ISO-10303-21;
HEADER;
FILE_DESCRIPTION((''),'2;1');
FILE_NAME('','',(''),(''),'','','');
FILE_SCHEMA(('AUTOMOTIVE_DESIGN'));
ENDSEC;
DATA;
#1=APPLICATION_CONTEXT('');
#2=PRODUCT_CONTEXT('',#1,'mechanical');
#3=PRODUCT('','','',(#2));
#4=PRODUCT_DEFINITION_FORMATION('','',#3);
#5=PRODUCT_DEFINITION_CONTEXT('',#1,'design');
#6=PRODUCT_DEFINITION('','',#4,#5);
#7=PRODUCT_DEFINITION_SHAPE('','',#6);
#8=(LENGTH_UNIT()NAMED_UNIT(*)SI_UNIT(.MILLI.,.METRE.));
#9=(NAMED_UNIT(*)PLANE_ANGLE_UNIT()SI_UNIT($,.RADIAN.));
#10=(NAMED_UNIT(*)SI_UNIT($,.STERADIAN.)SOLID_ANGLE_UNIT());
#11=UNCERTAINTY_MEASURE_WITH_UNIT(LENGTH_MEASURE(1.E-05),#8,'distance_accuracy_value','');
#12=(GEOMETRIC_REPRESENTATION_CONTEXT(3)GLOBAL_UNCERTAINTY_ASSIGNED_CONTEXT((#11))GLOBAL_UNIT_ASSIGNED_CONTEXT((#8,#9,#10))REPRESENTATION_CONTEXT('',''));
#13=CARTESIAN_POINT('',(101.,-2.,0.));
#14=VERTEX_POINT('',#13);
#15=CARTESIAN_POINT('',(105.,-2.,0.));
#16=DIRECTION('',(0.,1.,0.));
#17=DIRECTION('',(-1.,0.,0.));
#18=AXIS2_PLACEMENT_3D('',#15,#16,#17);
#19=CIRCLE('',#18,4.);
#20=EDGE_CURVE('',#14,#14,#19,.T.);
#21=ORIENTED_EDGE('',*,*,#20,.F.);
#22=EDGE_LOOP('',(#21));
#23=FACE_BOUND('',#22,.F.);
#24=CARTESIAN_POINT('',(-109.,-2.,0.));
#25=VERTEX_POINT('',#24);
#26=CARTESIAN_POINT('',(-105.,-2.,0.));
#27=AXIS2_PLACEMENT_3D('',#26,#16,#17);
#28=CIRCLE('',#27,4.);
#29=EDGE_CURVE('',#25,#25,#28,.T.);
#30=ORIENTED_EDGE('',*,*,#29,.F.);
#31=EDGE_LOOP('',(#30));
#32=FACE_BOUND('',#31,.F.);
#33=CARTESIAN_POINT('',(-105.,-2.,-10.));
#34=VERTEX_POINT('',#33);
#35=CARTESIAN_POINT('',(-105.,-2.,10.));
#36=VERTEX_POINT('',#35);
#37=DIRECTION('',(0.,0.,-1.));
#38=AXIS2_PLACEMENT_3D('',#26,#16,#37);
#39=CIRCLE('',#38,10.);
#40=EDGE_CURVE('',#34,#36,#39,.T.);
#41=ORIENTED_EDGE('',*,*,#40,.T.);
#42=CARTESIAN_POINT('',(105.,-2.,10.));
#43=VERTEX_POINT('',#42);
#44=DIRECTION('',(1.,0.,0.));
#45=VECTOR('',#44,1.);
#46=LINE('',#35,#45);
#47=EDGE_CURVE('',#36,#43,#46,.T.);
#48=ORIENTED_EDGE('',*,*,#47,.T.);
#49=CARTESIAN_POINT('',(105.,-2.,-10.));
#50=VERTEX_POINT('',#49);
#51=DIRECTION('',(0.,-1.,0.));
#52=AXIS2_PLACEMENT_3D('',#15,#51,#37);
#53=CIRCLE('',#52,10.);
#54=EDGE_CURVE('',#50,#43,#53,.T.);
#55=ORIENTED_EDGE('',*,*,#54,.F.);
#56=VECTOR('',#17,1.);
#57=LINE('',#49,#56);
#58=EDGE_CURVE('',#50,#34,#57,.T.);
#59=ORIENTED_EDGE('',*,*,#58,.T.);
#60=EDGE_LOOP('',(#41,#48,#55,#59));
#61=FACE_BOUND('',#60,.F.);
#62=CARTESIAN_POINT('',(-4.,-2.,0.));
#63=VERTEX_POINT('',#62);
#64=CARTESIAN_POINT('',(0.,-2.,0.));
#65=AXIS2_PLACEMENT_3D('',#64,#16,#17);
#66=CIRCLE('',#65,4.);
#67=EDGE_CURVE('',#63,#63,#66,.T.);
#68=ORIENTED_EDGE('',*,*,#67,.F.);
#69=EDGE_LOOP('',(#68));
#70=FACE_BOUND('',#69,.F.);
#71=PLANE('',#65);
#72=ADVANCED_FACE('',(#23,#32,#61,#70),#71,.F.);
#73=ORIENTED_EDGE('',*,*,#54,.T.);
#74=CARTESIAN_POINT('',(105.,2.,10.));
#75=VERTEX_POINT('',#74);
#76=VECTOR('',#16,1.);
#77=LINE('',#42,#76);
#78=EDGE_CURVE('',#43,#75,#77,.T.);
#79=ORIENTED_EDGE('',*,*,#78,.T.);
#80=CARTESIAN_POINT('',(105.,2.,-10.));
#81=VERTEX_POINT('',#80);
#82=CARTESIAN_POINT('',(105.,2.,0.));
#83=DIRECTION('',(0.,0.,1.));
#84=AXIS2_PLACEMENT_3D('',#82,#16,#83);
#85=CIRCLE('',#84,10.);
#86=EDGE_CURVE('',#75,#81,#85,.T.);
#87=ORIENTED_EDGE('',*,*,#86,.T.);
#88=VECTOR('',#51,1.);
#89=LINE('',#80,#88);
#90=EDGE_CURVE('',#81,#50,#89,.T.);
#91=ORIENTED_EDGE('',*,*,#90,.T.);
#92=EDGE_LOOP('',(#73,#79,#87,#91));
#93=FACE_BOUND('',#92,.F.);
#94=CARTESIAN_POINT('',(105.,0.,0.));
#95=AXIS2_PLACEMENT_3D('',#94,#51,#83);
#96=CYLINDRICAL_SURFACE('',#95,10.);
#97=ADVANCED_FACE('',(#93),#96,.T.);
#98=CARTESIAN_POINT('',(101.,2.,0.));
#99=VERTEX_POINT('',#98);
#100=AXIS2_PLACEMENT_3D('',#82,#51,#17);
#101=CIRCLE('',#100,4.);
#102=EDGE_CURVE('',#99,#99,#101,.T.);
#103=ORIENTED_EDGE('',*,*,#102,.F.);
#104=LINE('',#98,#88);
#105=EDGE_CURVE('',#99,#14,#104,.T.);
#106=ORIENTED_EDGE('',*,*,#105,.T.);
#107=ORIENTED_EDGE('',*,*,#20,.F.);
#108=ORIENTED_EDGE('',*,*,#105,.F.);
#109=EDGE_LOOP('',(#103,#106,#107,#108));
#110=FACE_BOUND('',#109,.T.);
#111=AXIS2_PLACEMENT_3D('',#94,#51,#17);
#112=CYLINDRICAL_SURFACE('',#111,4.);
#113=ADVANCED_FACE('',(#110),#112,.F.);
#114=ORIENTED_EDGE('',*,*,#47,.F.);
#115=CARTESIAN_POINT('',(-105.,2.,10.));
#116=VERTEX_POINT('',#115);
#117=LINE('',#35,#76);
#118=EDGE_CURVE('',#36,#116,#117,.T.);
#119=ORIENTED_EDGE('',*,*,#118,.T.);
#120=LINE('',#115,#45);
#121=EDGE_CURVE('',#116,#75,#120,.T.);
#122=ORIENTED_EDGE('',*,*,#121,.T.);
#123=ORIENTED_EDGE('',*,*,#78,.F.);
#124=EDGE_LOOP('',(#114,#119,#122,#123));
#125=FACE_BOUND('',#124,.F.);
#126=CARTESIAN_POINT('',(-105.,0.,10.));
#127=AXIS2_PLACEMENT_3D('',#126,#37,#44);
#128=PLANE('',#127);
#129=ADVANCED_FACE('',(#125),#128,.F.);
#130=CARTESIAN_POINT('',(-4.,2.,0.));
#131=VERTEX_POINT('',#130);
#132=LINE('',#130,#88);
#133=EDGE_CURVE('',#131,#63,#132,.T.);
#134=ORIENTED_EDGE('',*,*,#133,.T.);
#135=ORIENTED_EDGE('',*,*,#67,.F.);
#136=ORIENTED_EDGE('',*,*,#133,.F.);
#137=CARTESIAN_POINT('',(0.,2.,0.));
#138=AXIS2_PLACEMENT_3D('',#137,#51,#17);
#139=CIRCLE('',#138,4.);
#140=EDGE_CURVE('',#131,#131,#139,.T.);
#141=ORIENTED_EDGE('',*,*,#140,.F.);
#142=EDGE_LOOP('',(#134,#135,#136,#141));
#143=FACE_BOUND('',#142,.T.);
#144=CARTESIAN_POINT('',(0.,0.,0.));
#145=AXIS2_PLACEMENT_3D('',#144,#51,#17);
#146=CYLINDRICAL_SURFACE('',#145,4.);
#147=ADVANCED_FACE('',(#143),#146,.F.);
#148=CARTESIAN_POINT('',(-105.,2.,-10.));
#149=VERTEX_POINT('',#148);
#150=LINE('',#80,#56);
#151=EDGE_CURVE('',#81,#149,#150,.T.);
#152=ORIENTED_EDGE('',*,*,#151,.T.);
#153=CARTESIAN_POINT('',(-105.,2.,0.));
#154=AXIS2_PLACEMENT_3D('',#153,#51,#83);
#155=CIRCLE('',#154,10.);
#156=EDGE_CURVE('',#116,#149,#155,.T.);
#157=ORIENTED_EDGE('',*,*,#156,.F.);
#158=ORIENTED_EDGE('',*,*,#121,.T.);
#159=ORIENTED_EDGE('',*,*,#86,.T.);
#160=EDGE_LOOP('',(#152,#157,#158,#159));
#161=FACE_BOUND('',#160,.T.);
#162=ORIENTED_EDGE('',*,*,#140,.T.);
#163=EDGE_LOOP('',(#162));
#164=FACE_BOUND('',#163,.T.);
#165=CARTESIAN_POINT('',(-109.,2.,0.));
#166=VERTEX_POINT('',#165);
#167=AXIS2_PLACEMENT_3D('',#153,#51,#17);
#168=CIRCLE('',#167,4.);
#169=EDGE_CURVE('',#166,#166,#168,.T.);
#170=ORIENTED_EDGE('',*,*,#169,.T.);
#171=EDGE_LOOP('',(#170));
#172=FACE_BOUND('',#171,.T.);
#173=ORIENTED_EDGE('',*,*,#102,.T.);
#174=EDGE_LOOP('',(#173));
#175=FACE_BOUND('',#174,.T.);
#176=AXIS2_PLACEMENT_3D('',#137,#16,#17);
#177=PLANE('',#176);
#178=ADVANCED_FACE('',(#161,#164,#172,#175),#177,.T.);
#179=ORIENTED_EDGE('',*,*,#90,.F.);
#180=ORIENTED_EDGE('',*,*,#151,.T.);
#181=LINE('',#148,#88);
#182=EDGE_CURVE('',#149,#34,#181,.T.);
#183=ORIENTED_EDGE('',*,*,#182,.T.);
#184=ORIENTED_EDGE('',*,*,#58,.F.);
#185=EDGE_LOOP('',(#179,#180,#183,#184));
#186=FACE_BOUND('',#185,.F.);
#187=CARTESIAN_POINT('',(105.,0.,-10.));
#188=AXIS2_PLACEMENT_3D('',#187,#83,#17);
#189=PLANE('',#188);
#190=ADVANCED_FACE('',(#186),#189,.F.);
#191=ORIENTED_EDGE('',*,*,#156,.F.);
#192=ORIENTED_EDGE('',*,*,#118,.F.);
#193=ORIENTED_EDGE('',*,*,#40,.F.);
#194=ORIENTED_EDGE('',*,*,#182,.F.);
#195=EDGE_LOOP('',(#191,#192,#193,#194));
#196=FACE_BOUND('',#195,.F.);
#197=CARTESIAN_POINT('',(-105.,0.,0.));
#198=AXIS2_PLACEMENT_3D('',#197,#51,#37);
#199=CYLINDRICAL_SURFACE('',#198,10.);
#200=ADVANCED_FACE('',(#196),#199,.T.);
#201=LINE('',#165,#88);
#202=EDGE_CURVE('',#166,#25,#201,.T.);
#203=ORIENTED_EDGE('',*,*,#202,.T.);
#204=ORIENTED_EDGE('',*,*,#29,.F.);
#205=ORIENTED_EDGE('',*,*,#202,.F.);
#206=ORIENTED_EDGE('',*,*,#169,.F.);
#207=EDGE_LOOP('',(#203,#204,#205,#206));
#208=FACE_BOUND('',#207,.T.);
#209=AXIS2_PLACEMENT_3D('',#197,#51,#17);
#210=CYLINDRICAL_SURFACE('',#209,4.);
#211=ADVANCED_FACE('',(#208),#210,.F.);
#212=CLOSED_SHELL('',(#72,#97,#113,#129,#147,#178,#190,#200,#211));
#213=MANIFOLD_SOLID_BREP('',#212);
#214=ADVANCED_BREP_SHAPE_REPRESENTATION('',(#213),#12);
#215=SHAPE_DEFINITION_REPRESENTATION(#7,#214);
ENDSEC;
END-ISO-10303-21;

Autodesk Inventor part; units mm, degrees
sketch "Эскиз1" plane through (0, 0, 0) normal (0, 1, 0) x (-1, 0, 0)
  line L0 (105, 10) -> (-105, 10)
  line L1 (-105, -10) -> (105, -10)
  line L2 (105, 10) -> (-105, -10) construction
  line L3 (-105, 10) -> (105, -10) construction
  arc A0 (-105, 10) -> (-105, -10) centre (-105, 0) ccw
  arc A1 (105, -10) -> (105, 10) centre (105, 0) ccw
  line L4 (0, -14) -> (0, 14) construction
  circle A2 centre (105, 0) radius 4
  circle A3 centre (-105, 0) radius 4
  circle A4 centre (0, 0) radius 4
  line L5 (-161, 0) -> (161, 0) projected
  point P0 (0, 10)
  point P1 (0, -10)
  dimension "d2" = 210
  dimension "d5" = 8
  dimension "d6" = 8
  dimension "d9" = 8
  dimension "d17" = 10
extrude "Выдавливание1" add sketch "Эскиз1" along normal mid plane 4 contours A1 L5 A2 A4 A3 A0 L0 | A1 L1 A0 L5 A3 A4 A2
properties part number "Рельс платформы подъёмника"
